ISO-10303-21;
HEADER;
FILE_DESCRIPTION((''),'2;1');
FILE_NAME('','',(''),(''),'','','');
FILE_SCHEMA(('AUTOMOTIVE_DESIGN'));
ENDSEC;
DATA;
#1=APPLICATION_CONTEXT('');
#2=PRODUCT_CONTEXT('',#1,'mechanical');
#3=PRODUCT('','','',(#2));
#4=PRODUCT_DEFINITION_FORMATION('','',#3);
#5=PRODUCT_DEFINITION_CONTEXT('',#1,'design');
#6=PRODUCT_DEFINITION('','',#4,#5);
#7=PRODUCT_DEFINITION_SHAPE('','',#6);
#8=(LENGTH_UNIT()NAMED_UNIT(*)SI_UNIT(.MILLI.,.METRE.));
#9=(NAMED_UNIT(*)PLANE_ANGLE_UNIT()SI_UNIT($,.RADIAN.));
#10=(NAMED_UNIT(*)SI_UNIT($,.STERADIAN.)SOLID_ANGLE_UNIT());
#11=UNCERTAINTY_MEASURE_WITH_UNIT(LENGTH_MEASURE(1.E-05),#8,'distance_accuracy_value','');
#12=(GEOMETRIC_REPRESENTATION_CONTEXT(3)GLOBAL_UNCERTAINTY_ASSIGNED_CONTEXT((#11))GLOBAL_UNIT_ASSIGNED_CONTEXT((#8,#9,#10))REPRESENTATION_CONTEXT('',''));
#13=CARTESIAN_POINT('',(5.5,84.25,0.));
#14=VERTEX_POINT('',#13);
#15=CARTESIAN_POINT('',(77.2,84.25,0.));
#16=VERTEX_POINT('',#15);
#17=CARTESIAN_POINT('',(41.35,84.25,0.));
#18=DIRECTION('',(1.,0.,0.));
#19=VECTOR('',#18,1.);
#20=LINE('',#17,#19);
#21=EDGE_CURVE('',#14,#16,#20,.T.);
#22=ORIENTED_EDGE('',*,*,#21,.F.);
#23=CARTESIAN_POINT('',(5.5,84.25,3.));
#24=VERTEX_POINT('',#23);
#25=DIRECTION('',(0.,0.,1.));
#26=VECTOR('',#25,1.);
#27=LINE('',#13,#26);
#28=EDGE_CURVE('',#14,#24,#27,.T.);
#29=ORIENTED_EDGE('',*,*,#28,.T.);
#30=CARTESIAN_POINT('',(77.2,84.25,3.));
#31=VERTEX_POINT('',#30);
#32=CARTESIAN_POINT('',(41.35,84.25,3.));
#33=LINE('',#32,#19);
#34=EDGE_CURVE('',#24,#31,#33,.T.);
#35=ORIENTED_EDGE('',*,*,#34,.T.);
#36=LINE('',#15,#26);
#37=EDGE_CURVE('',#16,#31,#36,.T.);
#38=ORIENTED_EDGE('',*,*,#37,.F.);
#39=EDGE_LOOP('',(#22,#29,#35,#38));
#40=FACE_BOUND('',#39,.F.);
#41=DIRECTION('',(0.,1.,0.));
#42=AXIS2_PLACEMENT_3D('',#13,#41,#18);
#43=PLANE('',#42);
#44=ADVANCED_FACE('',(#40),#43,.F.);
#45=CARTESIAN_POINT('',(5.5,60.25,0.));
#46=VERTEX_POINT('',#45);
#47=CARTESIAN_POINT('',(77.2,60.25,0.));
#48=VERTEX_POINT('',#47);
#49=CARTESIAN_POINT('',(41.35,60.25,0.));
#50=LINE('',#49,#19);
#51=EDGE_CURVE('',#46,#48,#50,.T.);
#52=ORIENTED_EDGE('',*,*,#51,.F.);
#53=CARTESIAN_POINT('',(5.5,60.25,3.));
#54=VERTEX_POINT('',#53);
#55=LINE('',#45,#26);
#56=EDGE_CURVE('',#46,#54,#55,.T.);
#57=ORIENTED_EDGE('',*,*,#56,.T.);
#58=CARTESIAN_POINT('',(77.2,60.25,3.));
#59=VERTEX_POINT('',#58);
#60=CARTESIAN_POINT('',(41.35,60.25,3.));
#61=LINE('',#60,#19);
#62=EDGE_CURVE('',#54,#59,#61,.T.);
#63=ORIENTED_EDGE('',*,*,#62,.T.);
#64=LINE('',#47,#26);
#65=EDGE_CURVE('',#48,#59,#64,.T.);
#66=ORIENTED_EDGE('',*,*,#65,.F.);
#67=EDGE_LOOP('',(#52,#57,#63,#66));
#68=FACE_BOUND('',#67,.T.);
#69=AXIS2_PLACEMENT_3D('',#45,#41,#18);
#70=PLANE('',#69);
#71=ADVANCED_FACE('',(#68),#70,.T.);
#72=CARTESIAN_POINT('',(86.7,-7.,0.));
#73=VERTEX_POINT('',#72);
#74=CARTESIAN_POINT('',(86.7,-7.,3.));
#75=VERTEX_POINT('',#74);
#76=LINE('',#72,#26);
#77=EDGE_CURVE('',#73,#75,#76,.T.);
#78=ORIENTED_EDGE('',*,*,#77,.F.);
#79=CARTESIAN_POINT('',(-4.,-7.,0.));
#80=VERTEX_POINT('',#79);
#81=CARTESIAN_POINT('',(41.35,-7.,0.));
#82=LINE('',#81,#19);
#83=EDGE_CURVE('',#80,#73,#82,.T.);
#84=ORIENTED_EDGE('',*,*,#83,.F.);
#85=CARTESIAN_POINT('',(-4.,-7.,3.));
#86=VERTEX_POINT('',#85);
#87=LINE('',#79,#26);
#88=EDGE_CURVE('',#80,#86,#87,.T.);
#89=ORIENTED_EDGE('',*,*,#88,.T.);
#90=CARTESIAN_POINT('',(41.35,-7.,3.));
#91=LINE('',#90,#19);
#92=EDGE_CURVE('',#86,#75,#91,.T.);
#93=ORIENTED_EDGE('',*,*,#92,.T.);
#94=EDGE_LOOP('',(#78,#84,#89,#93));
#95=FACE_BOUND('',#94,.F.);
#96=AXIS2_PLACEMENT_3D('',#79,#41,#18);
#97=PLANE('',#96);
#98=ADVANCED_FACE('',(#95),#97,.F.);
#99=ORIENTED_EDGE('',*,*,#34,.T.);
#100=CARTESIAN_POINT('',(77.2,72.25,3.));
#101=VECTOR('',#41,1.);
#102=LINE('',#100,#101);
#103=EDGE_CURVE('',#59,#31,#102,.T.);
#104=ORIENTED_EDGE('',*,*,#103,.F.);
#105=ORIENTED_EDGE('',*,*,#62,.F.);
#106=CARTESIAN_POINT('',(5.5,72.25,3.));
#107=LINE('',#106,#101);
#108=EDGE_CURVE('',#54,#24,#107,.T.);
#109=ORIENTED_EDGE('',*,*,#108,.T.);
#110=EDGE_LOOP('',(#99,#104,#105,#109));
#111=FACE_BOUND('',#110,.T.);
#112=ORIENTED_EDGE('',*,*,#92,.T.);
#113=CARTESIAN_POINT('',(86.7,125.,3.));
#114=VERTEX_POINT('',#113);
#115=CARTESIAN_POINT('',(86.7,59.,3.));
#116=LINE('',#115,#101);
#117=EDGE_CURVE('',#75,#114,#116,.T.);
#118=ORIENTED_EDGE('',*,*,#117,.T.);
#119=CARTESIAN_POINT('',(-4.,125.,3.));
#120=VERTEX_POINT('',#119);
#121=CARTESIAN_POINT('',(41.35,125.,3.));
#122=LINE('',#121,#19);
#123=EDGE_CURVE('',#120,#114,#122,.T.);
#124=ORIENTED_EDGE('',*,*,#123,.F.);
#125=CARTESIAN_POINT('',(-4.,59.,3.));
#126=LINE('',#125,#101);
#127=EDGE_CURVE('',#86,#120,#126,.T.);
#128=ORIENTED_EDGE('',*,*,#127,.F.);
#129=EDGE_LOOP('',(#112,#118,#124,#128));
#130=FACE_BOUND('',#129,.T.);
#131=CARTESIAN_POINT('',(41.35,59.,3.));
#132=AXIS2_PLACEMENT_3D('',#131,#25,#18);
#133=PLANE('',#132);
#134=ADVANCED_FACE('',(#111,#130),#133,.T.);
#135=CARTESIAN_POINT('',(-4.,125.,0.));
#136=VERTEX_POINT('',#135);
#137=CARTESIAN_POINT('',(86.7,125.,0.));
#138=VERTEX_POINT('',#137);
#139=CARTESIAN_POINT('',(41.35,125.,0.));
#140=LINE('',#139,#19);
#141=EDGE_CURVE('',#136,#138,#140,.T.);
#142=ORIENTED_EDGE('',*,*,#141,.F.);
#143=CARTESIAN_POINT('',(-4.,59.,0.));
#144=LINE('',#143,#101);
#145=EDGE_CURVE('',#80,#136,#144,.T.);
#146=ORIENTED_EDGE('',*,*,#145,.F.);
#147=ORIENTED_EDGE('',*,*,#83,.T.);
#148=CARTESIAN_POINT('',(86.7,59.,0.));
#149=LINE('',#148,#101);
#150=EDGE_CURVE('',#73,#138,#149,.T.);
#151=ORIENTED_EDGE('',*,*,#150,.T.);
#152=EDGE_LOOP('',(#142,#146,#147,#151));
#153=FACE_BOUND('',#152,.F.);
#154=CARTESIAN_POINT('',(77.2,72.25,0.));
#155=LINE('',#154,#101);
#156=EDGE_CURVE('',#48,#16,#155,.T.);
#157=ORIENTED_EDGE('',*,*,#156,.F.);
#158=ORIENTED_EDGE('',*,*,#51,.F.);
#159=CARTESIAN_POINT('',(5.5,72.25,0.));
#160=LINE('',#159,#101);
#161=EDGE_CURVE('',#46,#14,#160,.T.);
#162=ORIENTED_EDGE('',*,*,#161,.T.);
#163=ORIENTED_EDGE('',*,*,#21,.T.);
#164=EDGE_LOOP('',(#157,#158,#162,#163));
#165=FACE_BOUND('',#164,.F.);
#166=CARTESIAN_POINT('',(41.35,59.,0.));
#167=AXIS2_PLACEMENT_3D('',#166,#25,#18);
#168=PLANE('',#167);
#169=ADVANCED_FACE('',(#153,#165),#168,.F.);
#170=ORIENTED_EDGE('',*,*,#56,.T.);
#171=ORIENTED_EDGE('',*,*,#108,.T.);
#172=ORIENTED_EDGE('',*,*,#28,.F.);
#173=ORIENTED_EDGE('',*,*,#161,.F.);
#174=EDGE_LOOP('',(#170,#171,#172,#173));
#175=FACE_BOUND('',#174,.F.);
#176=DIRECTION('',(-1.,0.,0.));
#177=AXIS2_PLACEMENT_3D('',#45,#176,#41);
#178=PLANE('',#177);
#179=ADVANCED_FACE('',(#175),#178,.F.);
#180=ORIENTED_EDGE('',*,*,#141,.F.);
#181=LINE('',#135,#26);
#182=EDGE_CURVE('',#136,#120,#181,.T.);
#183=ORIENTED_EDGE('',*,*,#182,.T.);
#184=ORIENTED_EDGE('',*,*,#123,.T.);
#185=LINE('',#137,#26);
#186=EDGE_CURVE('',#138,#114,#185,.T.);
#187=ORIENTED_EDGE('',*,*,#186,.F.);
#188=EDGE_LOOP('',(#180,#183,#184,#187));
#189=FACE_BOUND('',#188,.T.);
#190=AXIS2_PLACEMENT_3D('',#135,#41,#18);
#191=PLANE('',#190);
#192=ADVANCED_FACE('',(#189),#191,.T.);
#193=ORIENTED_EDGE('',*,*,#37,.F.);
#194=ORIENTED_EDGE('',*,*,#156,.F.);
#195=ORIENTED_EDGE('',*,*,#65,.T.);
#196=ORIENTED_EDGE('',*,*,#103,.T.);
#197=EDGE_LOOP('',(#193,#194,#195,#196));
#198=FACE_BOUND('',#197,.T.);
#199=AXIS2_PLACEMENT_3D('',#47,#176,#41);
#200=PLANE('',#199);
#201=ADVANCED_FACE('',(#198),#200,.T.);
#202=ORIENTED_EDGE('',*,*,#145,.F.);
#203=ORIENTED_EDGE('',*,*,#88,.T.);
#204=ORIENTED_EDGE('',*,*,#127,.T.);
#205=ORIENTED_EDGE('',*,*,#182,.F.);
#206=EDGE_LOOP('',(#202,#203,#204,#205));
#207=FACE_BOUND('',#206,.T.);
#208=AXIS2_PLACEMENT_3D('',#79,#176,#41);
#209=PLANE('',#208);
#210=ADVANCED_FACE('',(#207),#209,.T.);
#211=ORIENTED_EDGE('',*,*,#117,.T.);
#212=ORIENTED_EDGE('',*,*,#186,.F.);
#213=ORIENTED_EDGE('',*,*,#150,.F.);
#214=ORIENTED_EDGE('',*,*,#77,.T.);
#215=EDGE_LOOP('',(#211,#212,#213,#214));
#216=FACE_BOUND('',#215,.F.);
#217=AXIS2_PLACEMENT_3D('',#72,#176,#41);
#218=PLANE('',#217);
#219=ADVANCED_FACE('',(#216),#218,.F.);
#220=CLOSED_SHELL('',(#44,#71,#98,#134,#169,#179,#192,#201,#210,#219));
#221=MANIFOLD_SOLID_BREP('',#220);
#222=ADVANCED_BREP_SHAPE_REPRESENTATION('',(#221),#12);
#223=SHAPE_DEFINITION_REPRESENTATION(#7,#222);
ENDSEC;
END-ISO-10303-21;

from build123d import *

# Parameters (mm, degrees)
F0_W     = 90.7
F0_H     = 132
F0_W_2   = 82.7
F0_H_2   = 116
F0_W_3   = 71.7
F0_H_3   = 24
F1_DEPTH = 3


with BuildPart() as f1:
    # F0 (on Top) → F1 (new body)
    with BuildSketch(Plane.XY):
        with Locations((41.35, 59)):
            Rectangle(F0_W, F0_H)
        with Locations((41.35, 58)):
            Rectangle(F0_W_2, F0_H_2, mode=Mode.SUBTRACT)
        with Locations((41.35, 58)):
            Rectangle(F0_W_2, F0_H_2)
        with Locations((41.35, 72.25)):
            Rectangle(F0_W_3, F0_H_3, mode=Mode.SUBTRACT)
    extrude(amount=F1_DEPTH)


solid = f1.part
